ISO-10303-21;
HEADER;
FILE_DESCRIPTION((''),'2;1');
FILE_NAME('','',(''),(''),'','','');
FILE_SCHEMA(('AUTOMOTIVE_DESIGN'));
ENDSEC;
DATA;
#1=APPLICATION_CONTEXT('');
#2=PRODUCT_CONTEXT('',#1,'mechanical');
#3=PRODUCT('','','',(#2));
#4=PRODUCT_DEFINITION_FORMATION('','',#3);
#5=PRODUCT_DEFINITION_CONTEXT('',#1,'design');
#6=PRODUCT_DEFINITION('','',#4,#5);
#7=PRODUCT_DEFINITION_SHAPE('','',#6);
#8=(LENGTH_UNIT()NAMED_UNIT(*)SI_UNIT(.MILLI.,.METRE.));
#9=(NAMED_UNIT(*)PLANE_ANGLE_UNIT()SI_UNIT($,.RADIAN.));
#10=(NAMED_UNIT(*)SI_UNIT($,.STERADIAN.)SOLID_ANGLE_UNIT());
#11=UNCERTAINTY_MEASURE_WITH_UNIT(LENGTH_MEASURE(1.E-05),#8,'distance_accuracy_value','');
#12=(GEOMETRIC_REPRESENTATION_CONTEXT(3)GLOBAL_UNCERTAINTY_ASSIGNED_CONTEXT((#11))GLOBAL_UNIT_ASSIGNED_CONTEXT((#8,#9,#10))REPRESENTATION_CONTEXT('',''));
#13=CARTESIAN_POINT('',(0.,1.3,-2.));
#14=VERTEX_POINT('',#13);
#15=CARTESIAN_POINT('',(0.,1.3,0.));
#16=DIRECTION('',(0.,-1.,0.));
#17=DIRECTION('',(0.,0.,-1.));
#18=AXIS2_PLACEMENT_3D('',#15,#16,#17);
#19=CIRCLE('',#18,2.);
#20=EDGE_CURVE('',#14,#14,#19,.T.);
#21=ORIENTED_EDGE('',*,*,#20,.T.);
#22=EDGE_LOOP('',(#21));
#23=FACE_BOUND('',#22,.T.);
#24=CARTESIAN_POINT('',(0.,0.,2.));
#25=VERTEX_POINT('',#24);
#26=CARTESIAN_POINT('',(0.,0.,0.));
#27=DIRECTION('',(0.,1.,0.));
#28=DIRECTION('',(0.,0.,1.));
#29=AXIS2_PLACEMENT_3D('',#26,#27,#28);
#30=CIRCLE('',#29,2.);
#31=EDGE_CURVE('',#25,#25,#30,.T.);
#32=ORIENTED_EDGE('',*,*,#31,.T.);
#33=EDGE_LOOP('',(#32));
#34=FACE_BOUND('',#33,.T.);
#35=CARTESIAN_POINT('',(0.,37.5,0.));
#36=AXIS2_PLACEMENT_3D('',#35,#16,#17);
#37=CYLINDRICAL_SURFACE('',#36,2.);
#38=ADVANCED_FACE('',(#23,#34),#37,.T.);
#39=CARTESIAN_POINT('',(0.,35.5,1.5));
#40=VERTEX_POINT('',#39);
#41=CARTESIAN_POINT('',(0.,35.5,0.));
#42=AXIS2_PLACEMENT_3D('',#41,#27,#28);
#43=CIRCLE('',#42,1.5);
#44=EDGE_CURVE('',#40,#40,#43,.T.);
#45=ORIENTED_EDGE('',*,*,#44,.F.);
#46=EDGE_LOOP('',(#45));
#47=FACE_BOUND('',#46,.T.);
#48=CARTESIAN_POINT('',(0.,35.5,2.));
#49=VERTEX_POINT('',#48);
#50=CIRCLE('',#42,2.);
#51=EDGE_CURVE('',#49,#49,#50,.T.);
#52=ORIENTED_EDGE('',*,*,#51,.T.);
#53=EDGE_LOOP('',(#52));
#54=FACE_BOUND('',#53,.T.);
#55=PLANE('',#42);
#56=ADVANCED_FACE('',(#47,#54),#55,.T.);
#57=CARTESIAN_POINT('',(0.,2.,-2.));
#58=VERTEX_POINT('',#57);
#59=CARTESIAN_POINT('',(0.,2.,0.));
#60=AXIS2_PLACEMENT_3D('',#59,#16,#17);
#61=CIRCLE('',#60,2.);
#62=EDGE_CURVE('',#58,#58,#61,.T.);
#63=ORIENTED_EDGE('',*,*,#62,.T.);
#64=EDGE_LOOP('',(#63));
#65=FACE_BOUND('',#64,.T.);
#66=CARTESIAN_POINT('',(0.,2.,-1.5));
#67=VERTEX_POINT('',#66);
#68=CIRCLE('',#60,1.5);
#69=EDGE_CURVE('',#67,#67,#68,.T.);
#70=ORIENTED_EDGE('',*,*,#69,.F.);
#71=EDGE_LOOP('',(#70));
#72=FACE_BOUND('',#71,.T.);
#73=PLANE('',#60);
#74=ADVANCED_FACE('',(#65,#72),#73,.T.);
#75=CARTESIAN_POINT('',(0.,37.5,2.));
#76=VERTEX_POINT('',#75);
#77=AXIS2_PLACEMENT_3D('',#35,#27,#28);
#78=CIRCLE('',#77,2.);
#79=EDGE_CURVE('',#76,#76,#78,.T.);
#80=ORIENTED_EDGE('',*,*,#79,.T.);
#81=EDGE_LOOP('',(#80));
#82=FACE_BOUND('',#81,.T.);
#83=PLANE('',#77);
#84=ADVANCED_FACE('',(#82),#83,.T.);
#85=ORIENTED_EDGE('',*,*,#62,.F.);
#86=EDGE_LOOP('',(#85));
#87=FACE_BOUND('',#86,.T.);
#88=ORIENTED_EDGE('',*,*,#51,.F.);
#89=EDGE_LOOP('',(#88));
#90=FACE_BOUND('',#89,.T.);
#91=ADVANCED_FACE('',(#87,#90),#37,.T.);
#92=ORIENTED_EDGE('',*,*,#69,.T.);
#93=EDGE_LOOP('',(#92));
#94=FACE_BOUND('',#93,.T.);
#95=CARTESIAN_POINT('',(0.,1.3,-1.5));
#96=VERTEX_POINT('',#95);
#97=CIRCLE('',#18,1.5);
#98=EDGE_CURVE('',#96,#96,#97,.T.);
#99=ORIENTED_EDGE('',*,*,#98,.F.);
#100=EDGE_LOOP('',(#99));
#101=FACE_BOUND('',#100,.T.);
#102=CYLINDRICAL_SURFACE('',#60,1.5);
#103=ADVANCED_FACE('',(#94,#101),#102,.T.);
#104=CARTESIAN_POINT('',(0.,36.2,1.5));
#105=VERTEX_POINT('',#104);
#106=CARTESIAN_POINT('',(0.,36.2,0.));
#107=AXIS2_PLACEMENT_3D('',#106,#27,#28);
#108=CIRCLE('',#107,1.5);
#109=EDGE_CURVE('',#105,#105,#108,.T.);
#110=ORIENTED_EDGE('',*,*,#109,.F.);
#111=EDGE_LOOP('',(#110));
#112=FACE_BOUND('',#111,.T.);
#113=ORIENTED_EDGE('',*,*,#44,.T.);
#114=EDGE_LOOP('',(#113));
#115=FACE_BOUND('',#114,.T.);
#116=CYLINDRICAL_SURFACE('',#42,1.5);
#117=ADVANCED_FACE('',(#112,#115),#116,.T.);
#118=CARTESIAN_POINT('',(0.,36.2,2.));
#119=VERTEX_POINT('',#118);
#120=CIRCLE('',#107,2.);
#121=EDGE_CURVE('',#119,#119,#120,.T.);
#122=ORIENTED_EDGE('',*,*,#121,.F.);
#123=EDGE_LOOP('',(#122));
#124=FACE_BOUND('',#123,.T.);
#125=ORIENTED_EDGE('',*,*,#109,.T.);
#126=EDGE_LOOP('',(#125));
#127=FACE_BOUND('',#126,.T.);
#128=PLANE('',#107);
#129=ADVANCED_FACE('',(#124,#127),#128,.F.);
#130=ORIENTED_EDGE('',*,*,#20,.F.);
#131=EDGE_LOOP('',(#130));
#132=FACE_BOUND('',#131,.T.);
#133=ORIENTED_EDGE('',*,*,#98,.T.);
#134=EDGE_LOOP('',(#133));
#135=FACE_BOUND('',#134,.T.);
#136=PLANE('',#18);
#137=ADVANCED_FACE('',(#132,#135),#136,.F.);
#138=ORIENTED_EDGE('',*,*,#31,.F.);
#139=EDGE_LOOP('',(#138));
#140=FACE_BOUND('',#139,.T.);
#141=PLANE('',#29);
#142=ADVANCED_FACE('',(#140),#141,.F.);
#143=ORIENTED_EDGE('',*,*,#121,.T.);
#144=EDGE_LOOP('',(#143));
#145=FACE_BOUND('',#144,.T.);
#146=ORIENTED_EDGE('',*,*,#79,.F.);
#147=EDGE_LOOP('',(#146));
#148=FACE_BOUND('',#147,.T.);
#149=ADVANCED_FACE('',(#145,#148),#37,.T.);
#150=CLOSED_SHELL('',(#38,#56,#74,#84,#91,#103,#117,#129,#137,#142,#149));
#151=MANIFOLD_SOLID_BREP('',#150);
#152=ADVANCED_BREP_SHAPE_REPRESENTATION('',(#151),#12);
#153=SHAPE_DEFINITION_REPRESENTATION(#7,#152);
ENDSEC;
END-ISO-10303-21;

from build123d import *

# Parameters (mm, degrees)
SKETCH_1_R          = 2
EXTRUDE_1_DEPTH     = 37.5
CUT_EXTRUDE_START   = -2
SKETCH_2_R          = 2
SKETCH_2_R_2        = 1.5
CUT_EXTRUDE_1_DEPTH = 0.7
CUT_EXTRUDE_START_2 = -1.3
SKETCH_3_R          = 2
SKETCH_3_R_2        = 1.5
CUT_EXTRUDE_2_DEPTH = 0.7


with BuildPart() as part:
    # 스케치1 → 보스-돌출1 (new body)
    with BuildSketch(Plane(origin=(0, 0, 0), x_dir=(1, 0, 0), z_dir=(0, 1, 0))):
        with Locations(Location((0, 0, 0), (0, 0, 270))):
            Circle(SKETCH_1_R)
    extrude(amount=EXTRUDE_1_DEPTH)

    # 스케치2 → 컷-돌출1 (cut)
    with BuildSketch(Plane(origin=(0, 37.5, 0), x_dir=(1, 0, 0), z_dir=(0, 1, 0)).offset(CUT_EXTRUDE_START)):
        with Locations(Location((0, 0, 0), (0, 0, 270))):
            Circle(SKETCH_2_R)
        with Locations(Location((0, 0, 0), (0, 0, 270))):
            Circle(SKETCH_2_R_2, mode=Mode.SUBTRACT)
    extrude(amount=CUT_EXTRUDE_1_DEPTH, mode=Mode.SUBTRACT)

    # 스케치3 → 컷-돌출2 (cut)
    with BuildSketch(Plane.XZ.offset(CUT_EXTRUDE_START_2)):
        with Locations(Location((0, 0, 0), (0, 0, 270))):
            Circle(SKETCH_3_R)
        with Locations(Location((0, 0, 0), (0, 0, 90))):
            Circle(SKETCH_3_R_2, mode=Mode.SUBTRACT)
    extrude(amount=-CUT_EXTRUDE_2_DEPTH, mode=Mode.SUBTRACT)


solid = part.part
